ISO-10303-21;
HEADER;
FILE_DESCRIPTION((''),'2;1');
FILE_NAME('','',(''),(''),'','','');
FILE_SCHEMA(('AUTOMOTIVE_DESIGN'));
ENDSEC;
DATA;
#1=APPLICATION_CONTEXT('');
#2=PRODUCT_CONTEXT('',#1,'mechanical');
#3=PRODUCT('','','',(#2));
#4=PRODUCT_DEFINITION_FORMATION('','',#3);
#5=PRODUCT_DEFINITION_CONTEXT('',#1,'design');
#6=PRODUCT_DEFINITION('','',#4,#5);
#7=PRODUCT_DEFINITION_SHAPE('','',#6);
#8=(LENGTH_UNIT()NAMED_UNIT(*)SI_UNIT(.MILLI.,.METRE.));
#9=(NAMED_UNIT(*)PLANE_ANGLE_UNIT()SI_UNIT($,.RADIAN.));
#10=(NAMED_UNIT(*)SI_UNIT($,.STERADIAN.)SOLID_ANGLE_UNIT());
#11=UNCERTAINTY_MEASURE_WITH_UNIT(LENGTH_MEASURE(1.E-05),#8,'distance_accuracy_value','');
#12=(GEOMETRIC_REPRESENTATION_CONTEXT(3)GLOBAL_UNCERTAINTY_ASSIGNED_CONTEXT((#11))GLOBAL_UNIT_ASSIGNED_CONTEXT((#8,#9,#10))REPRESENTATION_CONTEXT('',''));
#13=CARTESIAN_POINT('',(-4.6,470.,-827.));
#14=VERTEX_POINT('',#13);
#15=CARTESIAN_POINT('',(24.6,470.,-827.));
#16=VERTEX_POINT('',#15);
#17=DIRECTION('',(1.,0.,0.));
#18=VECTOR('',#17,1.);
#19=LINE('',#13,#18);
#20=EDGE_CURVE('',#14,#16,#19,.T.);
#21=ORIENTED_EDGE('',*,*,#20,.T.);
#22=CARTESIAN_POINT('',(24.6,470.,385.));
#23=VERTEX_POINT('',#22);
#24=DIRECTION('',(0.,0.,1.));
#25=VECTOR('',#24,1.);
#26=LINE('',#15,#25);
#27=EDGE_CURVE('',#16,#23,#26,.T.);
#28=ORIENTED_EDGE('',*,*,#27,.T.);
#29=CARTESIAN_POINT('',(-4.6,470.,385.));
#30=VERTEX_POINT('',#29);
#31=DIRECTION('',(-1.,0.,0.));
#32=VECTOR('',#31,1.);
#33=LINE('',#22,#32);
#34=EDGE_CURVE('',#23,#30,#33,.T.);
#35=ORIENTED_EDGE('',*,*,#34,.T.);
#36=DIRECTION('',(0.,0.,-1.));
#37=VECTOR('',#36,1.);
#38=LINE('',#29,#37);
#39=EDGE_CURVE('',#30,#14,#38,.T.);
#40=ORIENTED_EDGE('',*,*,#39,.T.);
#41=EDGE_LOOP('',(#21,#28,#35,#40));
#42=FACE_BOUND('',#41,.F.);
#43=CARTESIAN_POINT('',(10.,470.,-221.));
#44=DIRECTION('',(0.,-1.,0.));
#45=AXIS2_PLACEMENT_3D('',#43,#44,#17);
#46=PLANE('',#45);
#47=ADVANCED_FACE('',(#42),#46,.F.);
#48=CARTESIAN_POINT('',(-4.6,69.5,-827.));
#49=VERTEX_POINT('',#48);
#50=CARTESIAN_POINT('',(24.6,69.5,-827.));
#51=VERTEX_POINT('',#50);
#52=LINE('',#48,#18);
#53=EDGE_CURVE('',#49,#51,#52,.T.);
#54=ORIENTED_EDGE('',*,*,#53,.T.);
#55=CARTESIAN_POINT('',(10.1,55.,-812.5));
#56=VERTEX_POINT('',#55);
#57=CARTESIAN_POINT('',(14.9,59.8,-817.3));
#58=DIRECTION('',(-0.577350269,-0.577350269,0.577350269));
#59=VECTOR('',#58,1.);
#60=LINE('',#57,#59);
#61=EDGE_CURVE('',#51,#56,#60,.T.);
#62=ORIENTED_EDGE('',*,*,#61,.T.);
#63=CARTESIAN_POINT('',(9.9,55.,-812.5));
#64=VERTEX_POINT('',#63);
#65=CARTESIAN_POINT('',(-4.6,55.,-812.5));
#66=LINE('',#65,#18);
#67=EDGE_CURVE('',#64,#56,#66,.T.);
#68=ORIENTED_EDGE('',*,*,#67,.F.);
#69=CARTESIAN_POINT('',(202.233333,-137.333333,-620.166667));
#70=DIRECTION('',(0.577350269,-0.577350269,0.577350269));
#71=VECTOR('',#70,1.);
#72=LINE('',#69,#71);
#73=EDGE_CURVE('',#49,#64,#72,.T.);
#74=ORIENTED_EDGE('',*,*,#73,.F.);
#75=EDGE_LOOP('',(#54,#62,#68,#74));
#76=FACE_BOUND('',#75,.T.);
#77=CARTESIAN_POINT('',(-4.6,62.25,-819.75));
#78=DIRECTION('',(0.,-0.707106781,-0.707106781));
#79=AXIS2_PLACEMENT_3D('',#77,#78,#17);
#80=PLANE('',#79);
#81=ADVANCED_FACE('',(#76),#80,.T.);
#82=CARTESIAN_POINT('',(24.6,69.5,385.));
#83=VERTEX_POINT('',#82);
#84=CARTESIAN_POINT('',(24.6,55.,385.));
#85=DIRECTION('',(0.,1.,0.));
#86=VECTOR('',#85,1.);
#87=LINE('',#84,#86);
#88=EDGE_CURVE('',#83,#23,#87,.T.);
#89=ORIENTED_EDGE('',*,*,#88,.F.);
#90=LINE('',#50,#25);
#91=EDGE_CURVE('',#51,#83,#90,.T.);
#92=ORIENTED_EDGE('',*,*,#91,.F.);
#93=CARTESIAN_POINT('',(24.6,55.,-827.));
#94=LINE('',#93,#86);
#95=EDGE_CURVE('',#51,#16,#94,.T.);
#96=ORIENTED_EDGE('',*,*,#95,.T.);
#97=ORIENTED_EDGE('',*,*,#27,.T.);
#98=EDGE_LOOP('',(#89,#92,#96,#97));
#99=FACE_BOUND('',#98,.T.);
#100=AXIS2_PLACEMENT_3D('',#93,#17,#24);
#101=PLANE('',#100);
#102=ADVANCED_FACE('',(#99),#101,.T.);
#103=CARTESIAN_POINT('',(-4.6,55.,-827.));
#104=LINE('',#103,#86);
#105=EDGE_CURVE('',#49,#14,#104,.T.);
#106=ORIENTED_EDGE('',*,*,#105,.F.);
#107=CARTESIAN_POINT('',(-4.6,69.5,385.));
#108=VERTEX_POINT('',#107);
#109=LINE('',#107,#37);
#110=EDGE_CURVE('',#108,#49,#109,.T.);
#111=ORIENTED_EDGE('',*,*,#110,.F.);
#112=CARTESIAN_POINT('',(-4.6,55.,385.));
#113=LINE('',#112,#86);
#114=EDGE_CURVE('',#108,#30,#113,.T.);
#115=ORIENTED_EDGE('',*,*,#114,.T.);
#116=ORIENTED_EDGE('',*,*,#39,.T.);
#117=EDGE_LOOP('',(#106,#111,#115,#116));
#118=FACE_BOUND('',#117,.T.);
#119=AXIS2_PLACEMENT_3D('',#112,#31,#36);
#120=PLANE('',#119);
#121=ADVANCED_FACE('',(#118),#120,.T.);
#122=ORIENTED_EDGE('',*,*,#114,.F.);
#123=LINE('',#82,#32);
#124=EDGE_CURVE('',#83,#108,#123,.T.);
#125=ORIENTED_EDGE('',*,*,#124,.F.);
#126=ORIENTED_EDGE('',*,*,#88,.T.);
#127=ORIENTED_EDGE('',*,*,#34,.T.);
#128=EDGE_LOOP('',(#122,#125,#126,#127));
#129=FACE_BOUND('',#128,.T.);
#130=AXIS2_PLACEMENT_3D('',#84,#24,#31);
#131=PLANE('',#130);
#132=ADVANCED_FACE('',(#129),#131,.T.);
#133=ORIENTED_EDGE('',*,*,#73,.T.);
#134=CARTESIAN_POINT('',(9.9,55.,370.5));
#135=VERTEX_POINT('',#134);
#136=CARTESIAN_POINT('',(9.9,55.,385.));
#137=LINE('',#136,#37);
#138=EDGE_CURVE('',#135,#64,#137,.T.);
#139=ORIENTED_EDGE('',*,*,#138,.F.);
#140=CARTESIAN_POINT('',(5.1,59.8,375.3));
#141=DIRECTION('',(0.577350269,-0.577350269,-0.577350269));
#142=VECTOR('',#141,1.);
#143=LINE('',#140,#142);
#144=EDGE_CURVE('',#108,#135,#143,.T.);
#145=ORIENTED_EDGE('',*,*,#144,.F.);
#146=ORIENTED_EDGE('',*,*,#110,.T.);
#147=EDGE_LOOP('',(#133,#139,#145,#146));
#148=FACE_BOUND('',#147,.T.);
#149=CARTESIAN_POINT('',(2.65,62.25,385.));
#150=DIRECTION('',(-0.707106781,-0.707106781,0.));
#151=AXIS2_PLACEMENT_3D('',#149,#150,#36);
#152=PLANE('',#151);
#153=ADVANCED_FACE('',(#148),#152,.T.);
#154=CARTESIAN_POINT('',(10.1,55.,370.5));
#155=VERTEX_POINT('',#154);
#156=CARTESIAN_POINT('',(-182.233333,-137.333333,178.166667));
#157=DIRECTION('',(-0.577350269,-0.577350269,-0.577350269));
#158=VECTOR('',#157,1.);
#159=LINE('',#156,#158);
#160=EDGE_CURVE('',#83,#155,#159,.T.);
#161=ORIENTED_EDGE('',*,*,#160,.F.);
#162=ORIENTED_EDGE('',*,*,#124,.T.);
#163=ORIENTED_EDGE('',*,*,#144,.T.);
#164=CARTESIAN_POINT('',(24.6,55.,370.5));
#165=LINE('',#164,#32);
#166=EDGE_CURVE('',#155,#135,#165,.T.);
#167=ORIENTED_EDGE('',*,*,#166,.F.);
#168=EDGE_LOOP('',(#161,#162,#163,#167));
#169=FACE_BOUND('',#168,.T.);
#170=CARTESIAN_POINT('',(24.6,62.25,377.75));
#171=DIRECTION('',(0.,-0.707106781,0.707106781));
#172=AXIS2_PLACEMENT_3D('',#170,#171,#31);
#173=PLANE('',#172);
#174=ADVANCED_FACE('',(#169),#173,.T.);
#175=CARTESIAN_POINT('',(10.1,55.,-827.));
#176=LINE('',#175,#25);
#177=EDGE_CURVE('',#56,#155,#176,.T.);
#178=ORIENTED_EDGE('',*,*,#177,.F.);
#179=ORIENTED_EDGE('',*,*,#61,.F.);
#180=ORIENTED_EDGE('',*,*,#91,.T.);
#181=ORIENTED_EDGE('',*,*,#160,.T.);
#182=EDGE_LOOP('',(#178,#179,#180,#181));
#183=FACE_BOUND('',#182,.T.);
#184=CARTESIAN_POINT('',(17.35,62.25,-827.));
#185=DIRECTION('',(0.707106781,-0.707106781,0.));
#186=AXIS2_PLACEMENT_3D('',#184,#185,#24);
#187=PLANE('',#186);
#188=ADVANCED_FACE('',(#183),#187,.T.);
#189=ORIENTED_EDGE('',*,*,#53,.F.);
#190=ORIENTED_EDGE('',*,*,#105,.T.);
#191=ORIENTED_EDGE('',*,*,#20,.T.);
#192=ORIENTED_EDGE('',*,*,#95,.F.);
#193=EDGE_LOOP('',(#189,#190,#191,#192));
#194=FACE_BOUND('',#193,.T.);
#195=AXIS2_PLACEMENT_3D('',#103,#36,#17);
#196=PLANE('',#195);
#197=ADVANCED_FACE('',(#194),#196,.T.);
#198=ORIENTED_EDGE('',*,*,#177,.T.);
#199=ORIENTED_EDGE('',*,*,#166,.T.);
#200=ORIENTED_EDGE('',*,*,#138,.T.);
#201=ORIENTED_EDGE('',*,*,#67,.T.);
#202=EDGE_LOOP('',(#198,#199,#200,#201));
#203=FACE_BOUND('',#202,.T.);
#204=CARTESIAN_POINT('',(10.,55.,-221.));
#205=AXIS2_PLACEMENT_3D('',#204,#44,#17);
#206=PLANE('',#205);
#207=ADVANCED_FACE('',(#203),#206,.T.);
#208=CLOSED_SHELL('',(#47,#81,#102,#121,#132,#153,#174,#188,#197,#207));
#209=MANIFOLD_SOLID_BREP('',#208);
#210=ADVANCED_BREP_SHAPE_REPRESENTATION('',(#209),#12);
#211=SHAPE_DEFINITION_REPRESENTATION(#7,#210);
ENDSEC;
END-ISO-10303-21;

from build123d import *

# Parameters (mm, degrees)
F1_START = -55
F1_DEPTH = 415
F2_SIZE2 = 14.5
F2_SIZE  = 14.5


with BuildPart() as f1:
    # F0 (on Front) → F1 (new body)
    with BuildSketch(Plane.XZ.offset(F1_START)):
        Polygon((-4.6, -740), (-4.6, -827), (24.6, -827), (24.6, -740), (24.6, -725), (24.6, -365), (24.6, -350), (24.6, 10), (24.6, 25), (24.6, 385), (-4.6, 385), (-4.6, 25), (-4.6, 10), (-4.6, -350), (-4.6, -365), (-4.6, -725), align=None)
    extrude(amount=-F1_DEPTH)

    # F2
    f2_edges = [f1.edges().sort_by_distance(p)[0] for p in [
        (-4.6, 55, -221),
        (10, 55, -827),
        (24.6, 55, -221),
        (10, 55, 385),
    ]]
    chamfer(f2_edges, length=F2_SIZE, length2=F2_SIZE2)


solid = f1.part
